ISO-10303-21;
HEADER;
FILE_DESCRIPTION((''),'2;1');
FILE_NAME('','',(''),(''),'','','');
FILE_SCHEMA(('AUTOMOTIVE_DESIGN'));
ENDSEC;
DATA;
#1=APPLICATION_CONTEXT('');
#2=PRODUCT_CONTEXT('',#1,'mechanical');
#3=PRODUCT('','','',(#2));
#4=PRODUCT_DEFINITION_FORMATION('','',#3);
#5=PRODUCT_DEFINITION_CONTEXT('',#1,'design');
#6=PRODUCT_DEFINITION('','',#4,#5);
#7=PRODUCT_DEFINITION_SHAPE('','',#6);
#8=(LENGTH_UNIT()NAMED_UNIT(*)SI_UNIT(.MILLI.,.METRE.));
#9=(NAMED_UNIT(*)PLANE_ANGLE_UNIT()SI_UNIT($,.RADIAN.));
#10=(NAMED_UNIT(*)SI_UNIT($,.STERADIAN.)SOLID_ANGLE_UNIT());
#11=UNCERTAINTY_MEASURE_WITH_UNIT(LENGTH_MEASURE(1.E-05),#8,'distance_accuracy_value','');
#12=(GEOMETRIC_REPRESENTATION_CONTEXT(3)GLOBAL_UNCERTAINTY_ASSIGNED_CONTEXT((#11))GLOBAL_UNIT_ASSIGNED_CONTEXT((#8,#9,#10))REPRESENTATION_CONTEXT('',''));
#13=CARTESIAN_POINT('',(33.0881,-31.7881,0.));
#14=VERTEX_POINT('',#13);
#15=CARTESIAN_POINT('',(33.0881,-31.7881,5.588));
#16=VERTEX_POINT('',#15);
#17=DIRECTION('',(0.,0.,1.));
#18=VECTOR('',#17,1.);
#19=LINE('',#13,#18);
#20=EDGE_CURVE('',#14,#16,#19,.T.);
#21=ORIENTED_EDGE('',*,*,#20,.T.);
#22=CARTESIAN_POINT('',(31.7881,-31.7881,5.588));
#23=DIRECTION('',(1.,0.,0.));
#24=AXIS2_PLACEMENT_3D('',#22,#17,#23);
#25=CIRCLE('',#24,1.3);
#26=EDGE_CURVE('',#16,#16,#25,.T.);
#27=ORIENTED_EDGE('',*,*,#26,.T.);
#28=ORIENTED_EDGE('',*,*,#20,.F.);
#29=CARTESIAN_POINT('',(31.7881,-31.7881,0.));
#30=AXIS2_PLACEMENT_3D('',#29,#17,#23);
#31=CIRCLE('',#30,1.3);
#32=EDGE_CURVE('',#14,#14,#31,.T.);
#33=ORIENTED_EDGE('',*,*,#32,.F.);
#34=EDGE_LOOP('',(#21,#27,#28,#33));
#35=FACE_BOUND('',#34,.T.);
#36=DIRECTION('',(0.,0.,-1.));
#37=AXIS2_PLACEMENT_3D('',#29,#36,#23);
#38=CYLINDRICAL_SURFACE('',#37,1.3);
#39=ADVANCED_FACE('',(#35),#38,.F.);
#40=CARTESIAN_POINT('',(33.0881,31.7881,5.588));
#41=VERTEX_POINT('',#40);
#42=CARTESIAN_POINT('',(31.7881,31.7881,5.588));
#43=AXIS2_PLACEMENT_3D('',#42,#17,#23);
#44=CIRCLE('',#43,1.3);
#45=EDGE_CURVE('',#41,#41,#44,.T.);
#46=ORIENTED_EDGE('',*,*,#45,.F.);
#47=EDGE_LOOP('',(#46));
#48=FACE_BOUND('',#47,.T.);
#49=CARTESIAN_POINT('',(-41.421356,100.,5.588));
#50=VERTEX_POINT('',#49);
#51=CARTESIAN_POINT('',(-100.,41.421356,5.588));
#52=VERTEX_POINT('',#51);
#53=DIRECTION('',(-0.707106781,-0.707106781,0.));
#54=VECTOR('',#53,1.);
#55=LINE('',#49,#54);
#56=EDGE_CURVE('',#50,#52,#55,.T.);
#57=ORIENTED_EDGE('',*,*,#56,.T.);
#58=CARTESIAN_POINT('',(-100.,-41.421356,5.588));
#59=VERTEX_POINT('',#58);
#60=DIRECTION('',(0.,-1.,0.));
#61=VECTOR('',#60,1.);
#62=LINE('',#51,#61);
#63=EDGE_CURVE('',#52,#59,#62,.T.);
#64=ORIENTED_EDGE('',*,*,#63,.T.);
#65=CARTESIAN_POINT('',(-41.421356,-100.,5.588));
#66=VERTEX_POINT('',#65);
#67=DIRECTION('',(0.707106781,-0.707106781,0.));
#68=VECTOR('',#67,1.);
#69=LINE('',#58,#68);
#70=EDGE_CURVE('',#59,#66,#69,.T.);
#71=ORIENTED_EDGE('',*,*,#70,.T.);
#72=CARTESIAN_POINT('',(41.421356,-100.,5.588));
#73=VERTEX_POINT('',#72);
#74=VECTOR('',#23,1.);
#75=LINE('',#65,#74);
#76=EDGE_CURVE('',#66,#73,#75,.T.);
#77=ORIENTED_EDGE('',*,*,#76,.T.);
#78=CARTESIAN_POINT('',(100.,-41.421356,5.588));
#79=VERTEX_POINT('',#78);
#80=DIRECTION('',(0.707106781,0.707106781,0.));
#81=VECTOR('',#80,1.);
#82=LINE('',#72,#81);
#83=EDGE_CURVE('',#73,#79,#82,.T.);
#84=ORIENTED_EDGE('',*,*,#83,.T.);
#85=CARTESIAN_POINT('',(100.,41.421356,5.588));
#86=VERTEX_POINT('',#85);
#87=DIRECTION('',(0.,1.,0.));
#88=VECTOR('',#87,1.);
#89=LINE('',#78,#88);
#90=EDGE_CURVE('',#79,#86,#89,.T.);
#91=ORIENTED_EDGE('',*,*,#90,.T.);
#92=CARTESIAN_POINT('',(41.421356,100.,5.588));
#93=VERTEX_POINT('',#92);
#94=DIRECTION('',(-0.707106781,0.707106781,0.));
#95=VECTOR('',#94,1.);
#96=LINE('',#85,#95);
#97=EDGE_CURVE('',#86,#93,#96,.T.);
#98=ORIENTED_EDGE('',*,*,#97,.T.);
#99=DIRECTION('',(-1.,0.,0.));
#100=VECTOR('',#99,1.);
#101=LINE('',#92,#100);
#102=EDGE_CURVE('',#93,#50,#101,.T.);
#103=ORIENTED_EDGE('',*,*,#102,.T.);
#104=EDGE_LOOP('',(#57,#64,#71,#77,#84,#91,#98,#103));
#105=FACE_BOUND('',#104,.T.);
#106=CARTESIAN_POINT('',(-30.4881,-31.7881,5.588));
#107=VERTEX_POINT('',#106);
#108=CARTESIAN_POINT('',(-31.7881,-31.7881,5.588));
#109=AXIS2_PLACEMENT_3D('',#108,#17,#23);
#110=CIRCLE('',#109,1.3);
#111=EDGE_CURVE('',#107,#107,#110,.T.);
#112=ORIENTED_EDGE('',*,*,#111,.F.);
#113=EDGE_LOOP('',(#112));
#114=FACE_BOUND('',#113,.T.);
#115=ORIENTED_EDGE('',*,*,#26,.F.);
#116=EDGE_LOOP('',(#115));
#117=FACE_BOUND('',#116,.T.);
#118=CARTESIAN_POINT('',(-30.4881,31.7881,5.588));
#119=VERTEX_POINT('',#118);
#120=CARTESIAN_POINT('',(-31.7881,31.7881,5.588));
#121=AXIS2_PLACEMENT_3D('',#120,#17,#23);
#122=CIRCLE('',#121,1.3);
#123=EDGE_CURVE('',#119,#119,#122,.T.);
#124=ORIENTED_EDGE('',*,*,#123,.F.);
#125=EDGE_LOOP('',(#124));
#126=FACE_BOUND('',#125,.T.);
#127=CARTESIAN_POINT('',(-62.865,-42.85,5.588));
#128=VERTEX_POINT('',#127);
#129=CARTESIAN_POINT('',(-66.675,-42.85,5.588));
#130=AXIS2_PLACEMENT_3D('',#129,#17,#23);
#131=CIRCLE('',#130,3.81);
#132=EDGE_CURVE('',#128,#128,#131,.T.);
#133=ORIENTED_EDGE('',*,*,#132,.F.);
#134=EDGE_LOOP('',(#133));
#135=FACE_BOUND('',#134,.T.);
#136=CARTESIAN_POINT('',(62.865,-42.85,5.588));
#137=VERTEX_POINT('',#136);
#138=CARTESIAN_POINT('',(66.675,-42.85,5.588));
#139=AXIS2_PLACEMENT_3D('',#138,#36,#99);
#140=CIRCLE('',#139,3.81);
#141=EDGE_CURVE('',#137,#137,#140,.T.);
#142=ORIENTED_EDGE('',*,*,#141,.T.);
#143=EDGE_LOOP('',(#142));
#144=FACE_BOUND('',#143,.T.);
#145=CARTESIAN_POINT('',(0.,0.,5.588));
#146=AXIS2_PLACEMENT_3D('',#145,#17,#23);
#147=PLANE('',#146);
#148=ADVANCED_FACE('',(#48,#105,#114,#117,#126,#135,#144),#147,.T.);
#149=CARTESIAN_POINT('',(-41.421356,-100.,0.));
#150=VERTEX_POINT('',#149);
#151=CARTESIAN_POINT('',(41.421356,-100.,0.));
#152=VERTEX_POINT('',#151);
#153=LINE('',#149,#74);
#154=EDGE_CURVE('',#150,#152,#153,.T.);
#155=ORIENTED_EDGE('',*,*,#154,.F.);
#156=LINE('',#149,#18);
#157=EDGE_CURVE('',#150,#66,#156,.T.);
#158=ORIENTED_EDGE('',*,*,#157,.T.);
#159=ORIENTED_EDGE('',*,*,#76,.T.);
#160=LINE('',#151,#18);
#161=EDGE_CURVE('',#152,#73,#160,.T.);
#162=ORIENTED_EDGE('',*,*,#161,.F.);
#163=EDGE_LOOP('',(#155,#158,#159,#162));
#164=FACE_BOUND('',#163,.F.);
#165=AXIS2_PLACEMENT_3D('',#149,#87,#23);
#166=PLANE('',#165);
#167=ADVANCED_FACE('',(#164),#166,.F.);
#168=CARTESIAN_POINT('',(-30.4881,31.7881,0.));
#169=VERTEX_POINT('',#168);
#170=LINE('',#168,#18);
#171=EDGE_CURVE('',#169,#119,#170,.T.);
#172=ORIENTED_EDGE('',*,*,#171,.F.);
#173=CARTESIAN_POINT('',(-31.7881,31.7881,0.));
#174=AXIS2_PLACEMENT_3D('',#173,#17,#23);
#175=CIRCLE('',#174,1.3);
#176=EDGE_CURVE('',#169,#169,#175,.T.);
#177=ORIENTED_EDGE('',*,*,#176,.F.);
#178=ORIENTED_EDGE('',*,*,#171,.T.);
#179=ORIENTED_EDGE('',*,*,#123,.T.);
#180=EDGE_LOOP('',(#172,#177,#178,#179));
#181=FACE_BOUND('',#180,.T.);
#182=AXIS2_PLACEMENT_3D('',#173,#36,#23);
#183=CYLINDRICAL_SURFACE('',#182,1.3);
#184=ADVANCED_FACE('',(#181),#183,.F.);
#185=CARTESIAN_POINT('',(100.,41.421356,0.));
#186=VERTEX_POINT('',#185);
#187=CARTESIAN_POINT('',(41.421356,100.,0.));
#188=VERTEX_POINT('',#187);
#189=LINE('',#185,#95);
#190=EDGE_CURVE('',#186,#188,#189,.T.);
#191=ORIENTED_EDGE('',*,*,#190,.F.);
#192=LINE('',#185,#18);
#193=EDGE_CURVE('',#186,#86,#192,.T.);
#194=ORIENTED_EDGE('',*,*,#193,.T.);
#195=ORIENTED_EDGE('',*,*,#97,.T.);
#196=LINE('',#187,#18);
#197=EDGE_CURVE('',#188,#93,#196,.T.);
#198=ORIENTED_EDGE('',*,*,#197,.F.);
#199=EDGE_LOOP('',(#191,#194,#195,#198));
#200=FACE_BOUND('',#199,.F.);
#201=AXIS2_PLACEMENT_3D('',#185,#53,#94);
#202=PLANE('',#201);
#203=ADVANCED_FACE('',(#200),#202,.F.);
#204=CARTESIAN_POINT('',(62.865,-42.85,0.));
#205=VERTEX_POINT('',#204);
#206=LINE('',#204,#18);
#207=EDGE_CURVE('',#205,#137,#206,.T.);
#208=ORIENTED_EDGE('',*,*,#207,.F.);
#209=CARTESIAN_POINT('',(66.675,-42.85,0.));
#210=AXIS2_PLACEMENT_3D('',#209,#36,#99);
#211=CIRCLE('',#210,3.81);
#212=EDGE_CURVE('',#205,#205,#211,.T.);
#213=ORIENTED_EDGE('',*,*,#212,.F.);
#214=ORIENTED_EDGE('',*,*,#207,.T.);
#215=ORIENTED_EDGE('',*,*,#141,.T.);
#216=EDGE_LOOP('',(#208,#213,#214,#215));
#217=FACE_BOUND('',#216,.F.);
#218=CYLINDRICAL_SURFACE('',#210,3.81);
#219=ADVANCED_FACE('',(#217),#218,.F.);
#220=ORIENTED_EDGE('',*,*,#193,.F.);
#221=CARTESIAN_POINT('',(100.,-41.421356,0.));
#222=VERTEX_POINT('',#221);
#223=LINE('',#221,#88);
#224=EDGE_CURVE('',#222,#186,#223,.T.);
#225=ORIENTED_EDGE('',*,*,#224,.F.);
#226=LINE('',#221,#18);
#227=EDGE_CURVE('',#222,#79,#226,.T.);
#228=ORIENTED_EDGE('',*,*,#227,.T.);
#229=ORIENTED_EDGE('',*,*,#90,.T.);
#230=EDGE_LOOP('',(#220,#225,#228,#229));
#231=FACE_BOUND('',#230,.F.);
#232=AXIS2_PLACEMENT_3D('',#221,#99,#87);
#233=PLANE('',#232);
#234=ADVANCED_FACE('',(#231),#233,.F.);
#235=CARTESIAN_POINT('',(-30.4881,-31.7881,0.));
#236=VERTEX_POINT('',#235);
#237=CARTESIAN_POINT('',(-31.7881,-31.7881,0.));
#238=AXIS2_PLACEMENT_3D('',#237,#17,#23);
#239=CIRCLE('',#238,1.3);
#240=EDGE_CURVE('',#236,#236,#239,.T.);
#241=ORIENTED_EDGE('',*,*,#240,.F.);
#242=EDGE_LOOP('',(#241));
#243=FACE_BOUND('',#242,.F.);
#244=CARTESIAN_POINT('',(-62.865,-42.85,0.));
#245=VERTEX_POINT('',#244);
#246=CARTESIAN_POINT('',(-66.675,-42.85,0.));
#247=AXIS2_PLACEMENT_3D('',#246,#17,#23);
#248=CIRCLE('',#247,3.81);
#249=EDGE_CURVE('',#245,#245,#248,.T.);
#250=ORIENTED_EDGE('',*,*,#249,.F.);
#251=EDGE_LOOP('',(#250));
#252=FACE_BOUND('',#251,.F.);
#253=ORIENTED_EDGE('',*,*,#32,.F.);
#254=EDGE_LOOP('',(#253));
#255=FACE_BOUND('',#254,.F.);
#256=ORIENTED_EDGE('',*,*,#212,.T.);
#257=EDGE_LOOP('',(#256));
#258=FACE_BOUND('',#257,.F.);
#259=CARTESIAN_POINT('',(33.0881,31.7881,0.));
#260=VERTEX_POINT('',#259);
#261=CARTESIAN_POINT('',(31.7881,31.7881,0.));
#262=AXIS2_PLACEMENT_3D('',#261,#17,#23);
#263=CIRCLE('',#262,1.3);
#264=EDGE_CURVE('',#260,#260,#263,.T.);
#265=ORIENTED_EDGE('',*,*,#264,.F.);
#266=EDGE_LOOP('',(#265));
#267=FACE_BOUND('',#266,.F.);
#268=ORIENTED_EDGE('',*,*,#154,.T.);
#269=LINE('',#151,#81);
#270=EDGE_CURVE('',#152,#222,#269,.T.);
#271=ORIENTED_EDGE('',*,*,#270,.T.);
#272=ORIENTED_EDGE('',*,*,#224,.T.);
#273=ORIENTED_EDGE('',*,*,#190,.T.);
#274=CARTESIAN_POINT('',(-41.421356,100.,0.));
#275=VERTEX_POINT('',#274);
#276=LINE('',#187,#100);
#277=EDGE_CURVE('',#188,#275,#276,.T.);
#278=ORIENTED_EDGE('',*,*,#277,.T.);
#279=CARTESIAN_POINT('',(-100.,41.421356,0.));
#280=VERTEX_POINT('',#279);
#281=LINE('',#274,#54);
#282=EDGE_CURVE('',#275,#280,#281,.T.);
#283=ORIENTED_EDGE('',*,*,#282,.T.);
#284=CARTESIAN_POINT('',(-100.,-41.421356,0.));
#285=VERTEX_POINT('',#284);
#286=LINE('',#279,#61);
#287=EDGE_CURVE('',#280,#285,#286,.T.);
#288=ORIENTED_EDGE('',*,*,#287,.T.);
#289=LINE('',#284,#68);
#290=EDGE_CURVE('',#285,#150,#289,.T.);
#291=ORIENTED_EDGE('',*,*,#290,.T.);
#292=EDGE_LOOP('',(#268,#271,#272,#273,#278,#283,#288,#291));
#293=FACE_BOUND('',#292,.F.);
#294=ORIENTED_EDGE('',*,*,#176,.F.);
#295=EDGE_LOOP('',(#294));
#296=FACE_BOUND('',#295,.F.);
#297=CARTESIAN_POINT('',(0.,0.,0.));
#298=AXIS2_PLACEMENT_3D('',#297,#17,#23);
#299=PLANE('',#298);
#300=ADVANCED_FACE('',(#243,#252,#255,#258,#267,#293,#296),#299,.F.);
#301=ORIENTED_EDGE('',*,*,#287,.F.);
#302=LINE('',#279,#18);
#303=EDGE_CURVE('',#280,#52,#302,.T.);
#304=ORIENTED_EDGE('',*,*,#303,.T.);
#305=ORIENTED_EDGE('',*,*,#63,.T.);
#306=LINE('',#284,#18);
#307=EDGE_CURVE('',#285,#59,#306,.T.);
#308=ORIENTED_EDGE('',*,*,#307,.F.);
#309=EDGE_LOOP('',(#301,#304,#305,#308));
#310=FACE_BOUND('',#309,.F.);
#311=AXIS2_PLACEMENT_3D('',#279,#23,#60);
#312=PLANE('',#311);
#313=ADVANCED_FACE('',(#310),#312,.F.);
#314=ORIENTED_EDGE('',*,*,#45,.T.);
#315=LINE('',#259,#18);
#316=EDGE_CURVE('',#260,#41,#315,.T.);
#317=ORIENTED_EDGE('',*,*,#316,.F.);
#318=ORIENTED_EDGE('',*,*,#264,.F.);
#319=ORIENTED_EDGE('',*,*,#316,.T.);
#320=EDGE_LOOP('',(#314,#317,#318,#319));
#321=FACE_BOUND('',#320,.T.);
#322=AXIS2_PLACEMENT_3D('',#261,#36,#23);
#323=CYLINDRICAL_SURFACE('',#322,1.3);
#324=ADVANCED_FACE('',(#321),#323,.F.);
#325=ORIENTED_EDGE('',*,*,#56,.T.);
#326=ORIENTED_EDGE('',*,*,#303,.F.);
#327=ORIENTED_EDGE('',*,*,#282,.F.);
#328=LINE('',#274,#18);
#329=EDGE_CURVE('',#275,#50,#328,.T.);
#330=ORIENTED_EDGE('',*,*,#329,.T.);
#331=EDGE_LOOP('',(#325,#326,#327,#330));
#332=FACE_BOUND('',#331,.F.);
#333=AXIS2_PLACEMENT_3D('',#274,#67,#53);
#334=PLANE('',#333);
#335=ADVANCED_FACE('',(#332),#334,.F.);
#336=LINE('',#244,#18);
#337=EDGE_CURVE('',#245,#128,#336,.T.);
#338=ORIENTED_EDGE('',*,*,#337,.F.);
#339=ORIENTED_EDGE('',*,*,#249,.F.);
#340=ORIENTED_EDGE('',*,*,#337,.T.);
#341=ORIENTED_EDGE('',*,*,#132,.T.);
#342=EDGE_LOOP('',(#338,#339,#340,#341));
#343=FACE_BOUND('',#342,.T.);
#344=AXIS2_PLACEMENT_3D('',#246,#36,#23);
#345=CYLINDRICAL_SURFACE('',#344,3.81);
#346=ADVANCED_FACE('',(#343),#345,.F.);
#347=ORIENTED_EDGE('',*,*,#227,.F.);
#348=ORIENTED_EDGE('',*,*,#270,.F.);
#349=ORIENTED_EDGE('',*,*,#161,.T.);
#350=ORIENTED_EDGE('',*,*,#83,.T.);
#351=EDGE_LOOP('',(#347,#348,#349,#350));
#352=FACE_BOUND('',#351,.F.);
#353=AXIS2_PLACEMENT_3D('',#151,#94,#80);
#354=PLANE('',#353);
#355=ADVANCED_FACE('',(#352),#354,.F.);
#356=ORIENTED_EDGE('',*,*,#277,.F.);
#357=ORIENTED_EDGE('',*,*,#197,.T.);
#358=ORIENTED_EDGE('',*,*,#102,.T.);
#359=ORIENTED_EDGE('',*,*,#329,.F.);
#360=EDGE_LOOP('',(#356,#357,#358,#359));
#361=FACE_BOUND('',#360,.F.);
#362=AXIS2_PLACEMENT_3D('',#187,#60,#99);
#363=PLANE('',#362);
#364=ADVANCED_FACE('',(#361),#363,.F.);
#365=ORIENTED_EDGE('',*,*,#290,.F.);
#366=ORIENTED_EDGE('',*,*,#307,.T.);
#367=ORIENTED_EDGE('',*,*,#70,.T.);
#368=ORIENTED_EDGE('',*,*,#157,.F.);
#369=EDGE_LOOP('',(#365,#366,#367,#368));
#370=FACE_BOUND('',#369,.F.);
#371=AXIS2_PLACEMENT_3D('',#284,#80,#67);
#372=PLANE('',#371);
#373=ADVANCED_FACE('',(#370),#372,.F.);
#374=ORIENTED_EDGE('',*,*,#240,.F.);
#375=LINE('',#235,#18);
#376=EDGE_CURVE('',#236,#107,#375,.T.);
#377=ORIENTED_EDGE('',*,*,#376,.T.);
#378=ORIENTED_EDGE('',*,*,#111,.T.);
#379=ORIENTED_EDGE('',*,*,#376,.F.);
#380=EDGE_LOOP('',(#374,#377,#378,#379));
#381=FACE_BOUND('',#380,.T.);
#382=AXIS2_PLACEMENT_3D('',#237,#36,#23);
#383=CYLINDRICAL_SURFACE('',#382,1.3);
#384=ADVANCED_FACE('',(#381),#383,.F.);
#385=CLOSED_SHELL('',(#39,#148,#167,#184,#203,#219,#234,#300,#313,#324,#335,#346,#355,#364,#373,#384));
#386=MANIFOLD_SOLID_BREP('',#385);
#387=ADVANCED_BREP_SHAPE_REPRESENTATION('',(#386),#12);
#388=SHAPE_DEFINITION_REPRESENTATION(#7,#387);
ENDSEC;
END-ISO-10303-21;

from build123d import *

# Parameters (mm, degrees)
F0_R     = 3.81
F0_R_2   = 1.3
F1_DEPTH = 5.588


with BuildPart() as f1:
    # F0 (on Top) → F1 (new body)
    with BuildSketch(Plane.XY):
        Polygon((41.4213562373, 100), (-41.4213562373, 100), (-100, 41.4213562373), (-100, -41.4213562373), (-41.4213562373, -100), (41.4213562373, -100), (100, -41.4213562373), (100, 41.4213562373), align=None)
        with Locations((-66.675, -42.85)):
            Circle(F0_R, mode=Mode.SUBTRACT)
        with Locations((-31.7881, -31.7881)):
            Circle(F0_R_2, mode=Mode.SUBTRACT)
        with Locations((31.7881, -31.7881)):
            Circle(F0_R_2, mode=Mode.SUBTRACT)
        with BuildLine():
            ThreePointArc((70.485, -42.85), (66.675, -46.66), (62.865, -42.85))
            ThreePointArc((62.865, -42.85), (66.675, -39.04), (70.485, -42.85))
        make_face(mode=Mode.SUBTRACT)
        with Locations((-31.7881, 31.7881)):
            Circle(F0_R_2, mode=Mode.SUBTRACT)
        with Locations((31.7881, 31.7881)):
            Circle(F0_R_2, mode=Mode.SUBTRACT)
    extrude(amount=F1_DEPTH)


solid = f1.part
